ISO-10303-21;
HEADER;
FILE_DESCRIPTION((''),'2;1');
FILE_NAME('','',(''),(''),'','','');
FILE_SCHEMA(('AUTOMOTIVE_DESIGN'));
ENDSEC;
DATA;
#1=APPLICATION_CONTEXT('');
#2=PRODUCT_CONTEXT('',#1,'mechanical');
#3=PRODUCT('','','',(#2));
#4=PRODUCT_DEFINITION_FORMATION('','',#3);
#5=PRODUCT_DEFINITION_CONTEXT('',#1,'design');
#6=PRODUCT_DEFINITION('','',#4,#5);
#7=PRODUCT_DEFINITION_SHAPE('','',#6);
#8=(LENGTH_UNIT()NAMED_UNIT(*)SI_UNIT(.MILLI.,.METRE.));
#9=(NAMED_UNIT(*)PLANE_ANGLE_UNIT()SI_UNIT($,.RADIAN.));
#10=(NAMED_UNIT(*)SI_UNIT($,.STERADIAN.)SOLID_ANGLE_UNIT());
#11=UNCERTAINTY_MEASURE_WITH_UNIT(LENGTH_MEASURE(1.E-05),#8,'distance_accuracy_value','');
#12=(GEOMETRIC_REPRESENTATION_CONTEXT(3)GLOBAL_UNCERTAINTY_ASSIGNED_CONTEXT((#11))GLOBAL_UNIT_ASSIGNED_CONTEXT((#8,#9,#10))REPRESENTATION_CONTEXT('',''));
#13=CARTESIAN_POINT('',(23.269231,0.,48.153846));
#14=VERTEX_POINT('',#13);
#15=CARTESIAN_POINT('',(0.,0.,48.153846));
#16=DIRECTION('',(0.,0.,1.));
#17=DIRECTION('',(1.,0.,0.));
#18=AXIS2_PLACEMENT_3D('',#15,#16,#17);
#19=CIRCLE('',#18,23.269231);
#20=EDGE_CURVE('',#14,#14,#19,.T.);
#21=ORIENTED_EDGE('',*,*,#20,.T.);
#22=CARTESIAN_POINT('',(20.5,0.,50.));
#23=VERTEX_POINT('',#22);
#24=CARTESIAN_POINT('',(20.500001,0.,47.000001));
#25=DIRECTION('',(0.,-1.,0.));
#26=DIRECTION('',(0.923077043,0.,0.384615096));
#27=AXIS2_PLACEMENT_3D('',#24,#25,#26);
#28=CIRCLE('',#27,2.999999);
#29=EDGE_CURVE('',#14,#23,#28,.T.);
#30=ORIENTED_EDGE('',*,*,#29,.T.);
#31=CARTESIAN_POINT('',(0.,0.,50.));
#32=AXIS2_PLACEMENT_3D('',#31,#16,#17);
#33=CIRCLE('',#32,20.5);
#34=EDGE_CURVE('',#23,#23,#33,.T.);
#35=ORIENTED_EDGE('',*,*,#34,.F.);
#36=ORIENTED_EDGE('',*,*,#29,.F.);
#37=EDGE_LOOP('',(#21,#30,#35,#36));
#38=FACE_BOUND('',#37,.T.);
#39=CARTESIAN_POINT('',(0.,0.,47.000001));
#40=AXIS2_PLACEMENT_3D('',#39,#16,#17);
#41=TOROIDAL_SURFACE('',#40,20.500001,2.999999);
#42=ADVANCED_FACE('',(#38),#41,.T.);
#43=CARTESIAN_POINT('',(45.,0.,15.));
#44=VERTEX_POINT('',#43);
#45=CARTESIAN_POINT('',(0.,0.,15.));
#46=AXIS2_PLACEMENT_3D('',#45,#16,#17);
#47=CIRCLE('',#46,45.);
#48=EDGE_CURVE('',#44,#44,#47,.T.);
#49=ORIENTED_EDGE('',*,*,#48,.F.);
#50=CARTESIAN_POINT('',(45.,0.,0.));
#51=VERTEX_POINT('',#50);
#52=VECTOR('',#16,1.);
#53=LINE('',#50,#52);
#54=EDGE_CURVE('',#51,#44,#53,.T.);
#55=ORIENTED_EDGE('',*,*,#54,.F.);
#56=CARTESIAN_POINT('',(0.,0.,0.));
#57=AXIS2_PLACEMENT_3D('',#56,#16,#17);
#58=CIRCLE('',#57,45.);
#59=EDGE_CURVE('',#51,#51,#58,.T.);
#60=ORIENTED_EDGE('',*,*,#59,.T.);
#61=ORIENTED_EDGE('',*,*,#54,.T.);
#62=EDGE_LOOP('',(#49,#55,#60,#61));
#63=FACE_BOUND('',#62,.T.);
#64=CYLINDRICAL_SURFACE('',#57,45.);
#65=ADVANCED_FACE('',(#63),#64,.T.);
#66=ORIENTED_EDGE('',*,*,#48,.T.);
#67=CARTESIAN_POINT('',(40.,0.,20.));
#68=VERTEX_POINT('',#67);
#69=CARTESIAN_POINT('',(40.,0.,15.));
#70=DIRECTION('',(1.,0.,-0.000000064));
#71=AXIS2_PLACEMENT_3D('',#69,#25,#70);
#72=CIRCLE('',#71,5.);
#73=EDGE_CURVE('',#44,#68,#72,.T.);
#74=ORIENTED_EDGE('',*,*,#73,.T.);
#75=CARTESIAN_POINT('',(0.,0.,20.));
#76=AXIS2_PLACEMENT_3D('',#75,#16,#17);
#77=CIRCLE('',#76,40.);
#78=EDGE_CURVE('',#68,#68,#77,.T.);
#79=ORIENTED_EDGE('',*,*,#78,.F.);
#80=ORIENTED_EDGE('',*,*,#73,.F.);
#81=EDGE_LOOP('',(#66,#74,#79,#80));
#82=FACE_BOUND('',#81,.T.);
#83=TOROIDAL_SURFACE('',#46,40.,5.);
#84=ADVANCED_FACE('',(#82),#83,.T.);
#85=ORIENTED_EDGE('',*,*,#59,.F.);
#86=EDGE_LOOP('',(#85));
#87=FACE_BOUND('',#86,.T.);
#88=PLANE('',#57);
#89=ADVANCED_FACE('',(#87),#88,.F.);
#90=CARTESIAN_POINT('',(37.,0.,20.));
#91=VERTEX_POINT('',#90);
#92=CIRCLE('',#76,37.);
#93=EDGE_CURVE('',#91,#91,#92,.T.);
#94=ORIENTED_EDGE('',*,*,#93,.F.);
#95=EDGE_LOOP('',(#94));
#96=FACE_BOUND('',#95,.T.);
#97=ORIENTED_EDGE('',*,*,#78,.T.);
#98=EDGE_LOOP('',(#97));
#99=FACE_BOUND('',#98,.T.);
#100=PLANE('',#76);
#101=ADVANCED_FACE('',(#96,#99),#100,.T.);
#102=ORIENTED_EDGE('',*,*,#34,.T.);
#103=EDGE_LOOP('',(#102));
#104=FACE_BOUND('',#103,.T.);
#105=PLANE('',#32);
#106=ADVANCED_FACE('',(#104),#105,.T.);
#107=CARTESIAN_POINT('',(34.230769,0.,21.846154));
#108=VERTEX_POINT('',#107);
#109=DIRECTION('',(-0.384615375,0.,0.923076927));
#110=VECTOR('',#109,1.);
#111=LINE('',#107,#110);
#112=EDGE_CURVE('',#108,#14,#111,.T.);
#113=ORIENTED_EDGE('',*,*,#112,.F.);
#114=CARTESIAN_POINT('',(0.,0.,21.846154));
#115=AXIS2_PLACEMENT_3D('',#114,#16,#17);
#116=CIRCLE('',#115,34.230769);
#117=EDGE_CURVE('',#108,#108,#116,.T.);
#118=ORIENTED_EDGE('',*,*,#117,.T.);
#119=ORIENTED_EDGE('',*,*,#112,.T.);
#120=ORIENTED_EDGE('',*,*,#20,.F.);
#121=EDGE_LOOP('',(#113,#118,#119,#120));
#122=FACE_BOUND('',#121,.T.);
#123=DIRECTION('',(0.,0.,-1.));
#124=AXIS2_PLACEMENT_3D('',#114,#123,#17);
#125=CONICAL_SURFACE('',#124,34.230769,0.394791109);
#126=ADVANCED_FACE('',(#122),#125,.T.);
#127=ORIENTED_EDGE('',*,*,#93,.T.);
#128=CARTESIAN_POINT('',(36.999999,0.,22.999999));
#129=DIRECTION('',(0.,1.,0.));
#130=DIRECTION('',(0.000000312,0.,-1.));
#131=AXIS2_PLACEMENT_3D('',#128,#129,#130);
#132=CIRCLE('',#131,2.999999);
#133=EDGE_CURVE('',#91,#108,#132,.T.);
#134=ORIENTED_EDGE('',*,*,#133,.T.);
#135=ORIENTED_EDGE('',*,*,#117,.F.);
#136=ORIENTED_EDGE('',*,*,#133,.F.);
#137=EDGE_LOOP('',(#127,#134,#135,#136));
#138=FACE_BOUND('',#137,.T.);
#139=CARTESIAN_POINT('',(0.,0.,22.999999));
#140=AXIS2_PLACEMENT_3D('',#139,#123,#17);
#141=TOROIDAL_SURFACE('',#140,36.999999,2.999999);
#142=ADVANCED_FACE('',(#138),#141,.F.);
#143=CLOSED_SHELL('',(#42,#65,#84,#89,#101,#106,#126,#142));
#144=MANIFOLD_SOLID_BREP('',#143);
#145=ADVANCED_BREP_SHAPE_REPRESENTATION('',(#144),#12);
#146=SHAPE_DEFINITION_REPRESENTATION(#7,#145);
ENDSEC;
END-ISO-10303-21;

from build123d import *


with BuildPart() as f1:
    # F0 (on Front) → F1 (revolve)
    with BuildSketch(Plane.XZ):
        with BuildLine():
            Line((20.5, 50), (0, 50))
            Line((0, 50), (0, 0))
            Line((0, 0), (45, 0))
            Line((45, 0), (45, 15))
            ThreePointArc((45, 15), (43.535534, 18.535534), (40, 20))
            Line((40, 20), (37, 20))
            ThreePointArc((37, 20), (35.335899, 20.503849), (34.230769, 21.846154))
            Line((34.230769, 21.846154), (23.269231, 48.153846))
            ThreePointArc((23.269231, 48.153846), (22.164101, 49.496151), (20.5, 50))
        make_face()
    revolve(axis=Axis((0, 0, 23.88157), (0, 0, 1)))


solid = f1.part
